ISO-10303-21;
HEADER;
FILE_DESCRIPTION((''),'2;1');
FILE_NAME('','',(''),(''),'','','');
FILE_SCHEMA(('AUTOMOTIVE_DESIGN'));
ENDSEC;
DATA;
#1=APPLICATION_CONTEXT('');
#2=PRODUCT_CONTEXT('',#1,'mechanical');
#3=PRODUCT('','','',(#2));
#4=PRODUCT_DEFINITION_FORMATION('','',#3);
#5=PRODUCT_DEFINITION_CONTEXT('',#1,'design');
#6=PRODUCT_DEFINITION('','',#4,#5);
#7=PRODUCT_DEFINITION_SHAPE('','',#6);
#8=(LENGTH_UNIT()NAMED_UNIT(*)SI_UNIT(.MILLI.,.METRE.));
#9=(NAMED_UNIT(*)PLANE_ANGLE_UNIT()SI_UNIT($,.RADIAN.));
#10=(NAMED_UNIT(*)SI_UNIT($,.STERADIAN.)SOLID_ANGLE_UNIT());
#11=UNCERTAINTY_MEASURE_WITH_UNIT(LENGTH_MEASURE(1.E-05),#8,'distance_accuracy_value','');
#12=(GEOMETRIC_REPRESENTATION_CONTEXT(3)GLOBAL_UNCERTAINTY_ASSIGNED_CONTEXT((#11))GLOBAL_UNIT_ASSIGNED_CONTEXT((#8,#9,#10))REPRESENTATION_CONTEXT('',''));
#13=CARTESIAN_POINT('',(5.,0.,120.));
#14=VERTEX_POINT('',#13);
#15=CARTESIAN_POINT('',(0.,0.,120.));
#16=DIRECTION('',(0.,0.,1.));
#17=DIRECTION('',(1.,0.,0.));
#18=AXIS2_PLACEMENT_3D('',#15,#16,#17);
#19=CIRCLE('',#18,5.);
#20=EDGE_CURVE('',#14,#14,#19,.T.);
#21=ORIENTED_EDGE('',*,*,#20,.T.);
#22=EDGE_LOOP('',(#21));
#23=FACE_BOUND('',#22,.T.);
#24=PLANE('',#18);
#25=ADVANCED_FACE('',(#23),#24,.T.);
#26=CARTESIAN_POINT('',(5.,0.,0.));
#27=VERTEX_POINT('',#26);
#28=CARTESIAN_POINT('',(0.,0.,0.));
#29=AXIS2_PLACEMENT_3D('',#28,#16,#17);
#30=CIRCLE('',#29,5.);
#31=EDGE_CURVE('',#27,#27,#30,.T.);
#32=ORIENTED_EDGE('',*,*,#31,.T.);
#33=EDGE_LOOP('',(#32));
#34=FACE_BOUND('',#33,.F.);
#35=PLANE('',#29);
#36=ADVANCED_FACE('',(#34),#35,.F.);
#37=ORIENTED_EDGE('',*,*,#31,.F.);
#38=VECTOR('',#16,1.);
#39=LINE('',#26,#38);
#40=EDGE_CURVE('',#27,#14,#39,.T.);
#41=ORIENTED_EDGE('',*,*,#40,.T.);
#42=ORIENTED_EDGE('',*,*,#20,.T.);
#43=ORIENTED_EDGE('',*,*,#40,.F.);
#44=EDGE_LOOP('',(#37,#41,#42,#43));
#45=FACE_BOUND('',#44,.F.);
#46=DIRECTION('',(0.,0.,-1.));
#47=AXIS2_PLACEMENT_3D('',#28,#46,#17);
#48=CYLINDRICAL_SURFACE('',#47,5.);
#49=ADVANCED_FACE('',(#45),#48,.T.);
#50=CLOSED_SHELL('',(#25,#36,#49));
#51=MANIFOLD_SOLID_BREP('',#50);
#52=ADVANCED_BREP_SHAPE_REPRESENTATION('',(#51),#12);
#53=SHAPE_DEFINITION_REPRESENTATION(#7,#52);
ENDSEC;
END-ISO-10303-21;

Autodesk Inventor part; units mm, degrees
ref_plane "YZ Plane" through (0, 0, 0) normal (1, 0, 0) x (0, 1, 0)
ref_plane "XZ Plane" through (0, 0, 0) normal (0, 1, 0) x (-1, 0, 0)
ref_plane "XY Plane" through (0, 0, 0) normal (0, 0, 1) x (1, 0, 0)
sketch "Sketch1" plane through (0, 0, 0) normal (0, 0, 1) x (1, 0, 0)
  circle A0 centre (0, 0) radius 5
  dimension "d0" = 10
extrude "Extrusion1" add sketch "Sketch1" along normal blind 120
properties part number "10x120mm_Rod"
